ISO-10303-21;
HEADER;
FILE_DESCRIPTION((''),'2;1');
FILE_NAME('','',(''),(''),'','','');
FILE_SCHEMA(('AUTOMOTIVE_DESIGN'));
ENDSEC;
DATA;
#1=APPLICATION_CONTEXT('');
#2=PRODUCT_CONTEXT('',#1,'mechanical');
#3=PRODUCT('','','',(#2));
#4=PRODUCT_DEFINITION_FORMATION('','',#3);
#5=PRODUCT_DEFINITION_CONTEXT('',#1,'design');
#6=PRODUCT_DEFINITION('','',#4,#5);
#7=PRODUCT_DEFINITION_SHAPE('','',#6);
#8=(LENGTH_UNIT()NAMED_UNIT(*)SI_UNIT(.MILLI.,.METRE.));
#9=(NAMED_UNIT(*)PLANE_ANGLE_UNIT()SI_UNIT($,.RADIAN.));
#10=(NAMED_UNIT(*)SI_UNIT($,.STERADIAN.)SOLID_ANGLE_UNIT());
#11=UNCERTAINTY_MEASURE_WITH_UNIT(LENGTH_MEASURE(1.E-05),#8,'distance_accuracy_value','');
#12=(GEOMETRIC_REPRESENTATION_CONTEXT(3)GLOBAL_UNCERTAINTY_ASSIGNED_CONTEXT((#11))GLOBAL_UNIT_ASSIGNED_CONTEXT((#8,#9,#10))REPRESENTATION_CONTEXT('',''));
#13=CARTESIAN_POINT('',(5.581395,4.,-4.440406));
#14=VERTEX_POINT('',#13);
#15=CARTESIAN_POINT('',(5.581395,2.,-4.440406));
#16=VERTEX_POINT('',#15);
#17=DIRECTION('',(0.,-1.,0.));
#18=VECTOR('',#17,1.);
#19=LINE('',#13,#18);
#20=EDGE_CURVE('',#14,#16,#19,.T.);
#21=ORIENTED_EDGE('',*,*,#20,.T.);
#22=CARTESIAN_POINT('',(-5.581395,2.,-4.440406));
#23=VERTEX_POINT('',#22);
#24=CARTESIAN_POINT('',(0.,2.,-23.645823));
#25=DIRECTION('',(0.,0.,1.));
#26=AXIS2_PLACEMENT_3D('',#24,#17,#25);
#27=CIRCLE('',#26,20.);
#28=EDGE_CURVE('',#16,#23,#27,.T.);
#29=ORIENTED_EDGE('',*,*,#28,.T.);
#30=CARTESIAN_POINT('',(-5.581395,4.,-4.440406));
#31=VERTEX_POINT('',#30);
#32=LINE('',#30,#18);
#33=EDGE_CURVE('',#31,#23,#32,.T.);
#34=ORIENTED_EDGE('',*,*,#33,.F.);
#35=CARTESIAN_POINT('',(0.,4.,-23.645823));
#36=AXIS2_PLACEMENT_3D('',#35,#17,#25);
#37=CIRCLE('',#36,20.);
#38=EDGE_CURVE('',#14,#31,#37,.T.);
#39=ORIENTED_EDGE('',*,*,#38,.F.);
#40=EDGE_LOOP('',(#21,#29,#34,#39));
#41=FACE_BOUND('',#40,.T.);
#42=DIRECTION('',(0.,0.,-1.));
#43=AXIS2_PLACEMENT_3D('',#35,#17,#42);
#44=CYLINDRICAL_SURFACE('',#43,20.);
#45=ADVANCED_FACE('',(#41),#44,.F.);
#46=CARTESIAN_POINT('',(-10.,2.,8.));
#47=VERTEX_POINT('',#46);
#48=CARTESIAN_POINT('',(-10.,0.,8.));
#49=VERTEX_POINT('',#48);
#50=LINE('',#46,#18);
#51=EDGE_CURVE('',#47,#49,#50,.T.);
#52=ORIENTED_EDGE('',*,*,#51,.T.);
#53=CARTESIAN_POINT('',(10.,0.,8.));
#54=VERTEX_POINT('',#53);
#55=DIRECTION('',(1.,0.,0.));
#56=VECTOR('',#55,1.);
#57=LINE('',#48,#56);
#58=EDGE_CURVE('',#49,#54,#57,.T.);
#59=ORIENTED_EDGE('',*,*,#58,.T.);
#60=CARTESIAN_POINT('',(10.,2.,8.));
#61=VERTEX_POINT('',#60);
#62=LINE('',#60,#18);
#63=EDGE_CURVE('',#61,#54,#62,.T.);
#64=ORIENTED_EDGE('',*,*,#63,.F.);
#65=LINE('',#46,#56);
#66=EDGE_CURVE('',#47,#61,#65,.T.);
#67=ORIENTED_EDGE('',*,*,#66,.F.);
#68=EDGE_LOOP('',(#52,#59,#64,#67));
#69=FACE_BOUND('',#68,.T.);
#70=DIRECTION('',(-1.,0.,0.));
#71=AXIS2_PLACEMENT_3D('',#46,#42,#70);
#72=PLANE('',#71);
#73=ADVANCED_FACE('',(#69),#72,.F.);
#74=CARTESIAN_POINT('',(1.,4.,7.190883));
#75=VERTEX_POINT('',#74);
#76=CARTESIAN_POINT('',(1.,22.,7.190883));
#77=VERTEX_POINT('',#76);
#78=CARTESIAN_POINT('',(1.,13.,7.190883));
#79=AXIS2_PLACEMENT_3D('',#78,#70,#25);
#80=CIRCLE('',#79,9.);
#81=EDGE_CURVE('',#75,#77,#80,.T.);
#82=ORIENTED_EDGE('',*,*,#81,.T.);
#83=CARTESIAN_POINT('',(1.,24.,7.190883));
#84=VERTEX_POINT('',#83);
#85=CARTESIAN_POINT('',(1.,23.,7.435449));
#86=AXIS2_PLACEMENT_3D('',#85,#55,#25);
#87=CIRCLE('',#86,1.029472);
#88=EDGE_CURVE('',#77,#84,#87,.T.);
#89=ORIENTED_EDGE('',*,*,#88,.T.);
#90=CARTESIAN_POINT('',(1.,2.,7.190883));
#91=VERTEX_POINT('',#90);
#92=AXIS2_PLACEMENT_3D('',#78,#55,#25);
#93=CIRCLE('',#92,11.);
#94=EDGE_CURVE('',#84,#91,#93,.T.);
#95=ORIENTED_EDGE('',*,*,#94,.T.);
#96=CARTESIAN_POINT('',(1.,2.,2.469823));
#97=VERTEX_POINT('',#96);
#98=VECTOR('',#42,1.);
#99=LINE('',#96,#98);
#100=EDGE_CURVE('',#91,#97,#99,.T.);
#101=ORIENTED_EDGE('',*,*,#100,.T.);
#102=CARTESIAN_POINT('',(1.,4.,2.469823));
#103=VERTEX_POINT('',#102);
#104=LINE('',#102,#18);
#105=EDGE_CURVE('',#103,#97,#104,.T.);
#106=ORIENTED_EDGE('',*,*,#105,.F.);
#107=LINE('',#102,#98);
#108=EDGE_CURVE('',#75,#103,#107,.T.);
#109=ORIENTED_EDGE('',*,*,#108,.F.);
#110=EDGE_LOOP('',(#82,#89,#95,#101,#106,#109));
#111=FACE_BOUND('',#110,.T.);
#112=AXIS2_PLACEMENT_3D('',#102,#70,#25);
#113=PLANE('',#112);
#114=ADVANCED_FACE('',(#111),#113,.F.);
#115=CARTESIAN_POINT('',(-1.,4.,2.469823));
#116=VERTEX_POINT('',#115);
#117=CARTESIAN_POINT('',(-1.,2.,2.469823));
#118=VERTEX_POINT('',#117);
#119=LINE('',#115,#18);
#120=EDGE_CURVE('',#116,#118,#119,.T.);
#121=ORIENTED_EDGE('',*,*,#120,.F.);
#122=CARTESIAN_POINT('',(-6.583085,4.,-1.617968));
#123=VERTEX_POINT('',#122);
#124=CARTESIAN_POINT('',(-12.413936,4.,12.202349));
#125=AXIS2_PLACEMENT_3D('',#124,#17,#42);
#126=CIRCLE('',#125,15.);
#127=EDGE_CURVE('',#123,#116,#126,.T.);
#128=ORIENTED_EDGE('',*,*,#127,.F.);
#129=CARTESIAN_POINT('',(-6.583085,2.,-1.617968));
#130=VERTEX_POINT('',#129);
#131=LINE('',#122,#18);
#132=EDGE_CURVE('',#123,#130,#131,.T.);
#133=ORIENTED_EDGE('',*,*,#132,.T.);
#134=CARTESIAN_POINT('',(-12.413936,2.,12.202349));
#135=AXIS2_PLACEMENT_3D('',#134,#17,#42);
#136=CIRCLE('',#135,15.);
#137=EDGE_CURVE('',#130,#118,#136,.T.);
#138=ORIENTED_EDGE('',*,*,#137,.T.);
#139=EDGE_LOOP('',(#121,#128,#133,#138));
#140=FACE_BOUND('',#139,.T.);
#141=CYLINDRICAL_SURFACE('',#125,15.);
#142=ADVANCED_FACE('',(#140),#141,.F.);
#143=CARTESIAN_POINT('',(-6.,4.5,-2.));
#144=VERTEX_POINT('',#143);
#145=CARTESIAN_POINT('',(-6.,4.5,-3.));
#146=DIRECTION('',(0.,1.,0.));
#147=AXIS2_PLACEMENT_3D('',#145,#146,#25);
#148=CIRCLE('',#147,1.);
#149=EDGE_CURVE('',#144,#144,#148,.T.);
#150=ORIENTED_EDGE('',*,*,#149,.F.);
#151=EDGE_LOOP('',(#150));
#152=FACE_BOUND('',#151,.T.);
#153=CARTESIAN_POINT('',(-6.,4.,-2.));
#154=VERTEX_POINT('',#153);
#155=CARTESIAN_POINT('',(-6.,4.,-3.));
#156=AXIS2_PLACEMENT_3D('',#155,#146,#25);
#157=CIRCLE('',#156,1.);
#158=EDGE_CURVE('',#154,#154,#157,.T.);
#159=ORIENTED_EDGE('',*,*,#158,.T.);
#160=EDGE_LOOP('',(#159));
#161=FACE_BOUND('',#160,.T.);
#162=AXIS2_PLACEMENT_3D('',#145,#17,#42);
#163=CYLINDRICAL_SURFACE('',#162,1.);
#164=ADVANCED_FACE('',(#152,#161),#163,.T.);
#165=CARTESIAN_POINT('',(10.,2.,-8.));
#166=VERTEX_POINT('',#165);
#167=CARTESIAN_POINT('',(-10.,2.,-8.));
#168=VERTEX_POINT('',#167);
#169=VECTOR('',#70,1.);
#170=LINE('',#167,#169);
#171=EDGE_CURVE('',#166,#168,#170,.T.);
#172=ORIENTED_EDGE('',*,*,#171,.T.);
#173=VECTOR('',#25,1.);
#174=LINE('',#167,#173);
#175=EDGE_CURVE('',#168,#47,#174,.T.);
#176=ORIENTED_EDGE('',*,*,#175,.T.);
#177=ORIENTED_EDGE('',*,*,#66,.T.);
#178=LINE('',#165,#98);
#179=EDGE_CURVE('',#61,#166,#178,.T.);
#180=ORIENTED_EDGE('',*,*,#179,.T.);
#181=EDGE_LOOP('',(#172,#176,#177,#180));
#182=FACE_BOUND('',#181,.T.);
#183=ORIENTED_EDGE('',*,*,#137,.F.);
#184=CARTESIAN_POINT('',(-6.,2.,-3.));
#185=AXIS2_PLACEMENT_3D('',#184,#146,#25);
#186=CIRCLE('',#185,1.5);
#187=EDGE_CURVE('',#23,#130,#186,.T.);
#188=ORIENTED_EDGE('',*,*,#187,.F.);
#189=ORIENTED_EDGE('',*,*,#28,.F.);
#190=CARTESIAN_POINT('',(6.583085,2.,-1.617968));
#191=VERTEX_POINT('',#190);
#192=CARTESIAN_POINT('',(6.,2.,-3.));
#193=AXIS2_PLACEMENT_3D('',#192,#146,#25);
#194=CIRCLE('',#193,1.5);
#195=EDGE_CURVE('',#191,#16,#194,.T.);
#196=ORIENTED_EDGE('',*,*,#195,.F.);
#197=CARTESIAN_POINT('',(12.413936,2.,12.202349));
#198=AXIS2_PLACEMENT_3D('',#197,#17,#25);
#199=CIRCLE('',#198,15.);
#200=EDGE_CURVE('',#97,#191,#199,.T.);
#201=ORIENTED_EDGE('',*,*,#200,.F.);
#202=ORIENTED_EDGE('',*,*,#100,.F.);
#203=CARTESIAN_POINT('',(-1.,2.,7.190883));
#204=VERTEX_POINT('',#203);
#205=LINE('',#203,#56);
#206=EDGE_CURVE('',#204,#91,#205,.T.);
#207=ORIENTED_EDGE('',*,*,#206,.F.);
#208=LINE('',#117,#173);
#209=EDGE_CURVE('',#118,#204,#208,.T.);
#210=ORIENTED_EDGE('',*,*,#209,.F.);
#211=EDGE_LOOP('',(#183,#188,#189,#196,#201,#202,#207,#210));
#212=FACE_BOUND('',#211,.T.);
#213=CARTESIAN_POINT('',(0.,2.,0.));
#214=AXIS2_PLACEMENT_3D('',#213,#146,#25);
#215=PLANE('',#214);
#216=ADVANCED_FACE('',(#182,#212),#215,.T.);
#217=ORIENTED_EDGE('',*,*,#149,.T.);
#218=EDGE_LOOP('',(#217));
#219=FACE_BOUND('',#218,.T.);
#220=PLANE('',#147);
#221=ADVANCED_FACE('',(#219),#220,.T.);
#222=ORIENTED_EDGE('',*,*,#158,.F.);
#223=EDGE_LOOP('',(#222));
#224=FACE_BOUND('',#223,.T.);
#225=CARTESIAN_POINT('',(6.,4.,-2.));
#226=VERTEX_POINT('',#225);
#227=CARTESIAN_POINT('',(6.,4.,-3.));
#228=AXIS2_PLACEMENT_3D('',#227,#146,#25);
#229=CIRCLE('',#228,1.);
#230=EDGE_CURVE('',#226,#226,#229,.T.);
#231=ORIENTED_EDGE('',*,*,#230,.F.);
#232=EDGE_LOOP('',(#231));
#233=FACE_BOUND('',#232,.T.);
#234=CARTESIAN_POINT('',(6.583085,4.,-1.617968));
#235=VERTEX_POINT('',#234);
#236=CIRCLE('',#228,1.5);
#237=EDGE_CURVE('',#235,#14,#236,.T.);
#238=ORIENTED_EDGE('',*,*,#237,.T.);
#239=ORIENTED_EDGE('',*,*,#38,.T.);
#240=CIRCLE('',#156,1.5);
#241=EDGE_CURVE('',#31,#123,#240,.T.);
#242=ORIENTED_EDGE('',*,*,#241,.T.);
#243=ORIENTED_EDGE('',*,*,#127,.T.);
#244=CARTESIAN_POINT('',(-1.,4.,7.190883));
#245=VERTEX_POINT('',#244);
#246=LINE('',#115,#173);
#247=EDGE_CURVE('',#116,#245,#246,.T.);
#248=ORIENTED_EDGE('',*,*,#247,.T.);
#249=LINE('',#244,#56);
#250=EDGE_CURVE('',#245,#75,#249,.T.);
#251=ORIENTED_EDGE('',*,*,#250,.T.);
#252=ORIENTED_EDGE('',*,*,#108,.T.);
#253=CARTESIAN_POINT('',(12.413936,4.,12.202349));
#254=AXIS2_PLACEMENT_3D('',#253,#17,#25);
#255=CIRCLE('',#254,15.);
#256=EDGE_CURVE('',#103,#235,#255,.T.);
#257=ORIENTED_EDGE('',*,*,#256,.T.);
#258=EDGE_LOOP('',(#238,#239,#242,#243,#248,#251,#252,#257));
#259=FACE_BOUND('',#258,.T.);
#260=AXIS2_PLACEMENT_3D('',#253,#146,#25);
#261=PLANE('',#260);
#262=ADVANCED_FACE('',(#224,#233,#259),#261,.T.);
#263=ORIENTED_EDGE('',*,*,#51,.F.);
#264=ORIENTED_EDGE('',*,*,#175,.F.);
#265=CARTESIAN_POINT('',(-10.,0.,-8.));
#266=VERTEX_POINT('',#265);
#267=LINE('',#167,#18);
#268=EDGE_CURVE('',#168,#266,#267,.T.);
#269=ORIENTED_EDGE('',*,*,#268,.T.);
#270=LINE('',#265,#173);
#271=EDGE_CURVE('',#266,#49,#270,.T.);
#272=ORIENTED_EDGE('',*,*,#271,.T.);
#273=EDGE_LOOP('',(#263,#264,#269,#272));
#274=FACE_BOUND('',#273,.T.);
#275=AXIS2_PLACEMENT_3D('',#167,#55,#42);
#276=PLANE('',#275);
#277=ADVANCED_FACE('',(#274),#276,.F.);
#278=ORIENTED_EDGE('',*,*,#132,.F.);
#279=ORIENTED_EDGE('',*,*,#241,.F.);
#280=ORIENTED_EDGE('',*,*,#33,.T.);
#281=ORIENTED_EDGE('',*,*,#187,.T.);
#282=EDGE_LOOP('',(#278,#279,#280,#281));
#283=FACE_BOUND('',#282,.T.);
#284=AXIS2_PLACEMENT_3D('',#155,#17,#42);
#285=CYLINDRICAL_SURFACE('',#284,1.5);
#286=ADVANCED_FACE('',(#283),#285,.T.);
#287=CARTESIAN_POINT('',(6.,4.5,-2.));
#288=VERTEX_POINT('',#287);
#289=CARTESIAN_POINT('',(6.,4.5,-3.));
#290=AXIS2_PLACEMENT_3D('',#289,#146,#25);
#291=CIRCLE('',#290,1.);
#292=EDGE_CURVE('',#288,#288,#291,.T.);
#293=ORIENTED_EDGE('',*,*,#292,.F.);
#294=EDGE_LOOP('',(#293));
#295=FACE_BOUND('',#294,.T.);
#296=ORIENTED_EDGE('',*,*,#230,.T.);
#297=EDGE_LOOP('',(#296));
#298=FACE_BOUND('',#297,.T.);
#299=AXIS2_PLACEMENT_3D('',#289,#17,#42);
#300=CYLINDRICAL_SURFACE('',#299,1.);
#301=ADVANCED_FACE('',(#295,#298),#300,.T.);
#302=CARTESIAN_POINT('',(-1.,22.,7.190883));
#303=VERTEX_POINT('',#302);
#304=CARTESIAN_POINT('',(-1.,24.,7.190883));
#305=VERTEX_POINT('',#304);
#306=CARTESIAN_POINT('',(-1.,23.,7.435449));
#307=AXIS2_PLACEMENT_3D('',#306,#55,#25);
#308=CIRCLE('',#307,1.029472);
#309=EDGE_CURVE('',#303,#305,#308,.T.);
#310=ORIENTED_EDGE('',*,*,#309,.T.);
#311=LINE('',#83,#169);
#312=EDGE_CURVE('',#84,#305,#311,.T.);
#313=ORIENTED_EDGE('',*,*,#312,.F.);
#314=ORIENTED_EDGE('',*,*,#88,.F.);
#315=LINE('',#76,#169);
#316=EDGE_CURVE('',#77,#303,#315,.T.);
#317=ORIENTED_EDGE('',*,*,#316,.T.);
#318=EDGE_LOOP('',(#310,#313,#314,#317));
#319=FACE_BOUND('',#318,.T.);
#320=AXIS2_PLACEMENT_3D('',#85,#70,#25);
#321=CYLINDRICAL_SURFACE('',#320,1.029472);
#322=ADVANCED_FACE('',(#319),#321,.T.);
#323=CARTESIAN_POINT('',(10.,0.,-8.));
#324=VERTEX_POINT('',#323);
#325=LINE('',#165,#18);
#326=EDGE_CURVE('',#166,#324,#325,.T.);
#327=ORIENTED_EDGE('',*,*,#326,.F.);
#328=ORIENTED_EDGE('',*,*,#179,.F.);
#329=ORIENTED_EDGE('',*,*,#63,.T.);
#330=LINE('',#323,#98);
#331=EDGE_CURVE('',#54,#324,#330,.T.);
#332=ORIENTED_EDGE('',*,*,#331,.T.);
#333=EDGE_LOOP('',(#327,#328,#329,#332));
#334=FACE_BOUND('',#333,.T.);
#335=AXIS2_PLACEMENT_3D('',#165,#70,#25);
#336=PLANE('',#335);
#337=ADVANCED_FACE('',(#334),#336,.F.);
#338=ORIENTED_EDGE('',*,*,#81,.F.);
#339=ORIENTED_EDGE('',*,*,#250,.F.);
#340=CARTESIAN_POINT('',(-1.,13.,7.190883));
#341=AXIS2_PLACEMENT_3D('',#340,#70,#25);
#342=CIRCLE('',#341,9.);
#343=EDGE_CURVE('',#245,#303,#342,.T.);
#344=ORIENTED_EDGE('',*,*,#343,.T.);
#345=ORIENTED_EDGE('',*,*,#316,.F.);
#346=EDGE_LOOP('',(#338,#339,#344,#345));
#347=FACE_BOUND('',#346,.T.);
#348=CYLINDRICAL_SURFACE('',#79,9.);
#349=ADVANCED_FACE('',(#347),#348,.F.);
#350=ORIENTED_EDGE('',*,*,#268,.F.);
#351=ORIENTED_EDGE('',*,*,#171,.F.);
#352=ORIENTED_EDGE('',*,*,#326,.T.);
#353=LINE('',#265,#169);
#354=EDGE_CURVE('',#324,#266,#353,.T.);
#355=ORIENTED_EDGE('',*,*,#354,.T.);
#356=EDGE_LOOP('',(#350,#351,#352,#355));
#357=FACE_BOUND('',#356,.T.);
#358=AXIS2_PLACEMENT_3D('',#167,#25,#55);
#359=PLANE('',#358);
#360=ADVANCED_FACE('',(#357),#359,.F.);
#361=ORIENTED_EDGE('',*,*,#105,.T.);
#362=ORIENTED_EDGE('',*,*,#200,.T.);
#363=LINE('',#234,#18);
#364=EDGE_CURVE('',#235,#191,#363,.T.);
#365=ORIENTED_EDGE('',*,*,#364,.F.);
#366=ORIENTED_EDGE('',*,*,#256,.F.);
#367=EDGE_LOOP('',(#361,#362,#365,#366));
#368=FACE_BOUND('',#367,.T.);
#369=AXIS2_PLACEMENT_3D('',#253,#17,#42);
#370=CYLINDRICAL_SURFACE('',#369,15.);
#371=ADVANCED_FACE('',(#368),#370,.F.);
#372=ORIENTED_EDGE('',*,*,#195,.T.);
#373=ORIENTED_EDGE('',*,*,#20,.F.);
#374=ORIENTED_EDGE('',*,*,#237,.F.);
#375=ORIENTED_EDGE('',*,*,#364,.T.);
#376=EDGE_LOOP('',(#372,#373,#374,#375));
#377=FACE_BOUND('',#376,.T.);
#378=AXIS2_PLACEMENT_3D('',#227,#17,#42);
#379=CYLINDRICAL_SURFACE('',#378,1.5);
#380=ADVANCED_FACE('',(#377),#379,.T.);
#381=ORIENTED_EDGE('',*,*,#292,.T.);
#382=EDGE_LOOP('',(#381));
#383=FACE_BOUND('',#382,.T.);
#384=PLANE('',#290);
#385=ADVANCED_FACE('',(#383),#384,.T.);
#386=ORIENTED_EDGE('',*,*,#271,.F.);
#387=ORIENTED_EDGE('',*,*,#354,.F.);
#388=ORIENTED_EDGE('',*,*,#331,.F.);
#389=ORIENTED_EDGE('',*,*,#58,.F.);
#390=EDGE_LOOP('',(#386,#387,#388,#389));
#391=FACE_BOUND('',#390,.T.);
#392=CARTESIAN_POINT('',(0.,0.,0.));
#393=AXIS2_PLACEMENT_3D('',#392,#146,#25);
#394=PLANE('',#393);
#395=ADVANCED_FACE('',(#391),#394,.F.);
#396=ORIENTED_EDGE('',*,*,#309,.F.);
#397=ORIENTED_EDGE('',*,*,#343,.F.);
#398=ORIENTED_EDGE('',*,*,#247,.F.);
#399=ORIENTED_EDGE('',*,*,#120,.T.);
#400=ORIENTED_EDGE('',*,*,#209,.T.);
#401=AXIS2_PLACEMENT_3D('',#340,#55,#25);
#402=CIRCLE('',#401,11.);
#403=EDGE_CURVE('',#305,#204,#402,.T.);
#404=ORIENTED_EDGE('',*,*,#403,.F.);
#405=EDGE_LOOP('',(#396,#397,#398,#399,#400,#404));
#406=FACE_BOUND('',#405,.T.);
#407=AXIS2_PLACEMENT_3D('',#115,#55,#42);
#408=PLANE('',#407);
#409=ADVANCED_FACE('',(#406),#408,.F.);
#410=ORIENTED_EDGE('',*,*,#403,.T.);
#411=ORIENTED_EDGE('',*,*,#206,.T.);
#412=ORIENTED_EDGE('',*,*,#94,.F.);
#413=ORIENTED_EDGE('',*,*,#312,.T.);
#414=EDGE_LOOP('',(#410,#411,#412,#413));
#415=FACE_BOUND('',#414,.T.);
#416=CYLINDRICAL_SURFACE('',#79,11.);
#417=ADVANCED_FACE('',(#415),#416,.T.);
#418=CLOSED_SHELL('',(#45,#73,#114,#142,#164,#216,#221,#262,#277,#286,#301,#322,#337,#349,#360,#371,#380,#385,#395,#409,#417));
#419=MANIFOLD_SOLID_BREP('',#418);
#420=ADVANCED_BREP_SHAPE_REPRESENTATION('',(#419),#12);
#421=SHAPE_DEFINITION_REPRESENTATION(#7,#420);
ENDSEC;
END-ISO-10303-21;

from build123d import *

# Parameters (mm, degrees)
SKETCH1_W           = 20
SKETCH1_H           = 16
BOSS_EXTRUDE1_DEPTH = 2
SKETCH2_R           = 1
BOSS_EXTRUDE2_DEPTH = 2
BOSS_EXTRUDE3_DEPTH = 1
SKETCH10_R          = 1
BOSS_EXTRUDE4_DEPTH = 2.5


with BuildPart() as part:
    # Sketch1 → Boss-Extrude1 (new body)
    with BuildSketch(Plane(origin=(0, 0, 0), x_dir=(1, 0, 0), z_dir=(0, 1, 0))):
        Rectangle(SKETCH1_W, SKETCH1_H)
    extrude(amount=BOSS_EXTRUDE1_DEPTH)

    # Sketch2 → Boss-Extrude2 (add)
    with BuildSketch(Plane(origin=(0, 2, 0), x_dir=(1, 0, 0), z_dir=(0, 1, 0))):
        with BuildLine():
            Line((-1, -2.469823306), (-1, -7.190883186))
            Line((-1, -7.190883186), (1, -7.190883186))
            Line((1, -7.190883186), (1, -2.469823306))
            ThreePointArc((1, -2.469823306), (3.552605477, -0.099588475), (6.583085105, 1.617968249))
            ThreePointArc((6.583085105, 1.617968249), (7.413613283, 3.501694616), (5.581395349, 4.440406243))
            ThreePointArc((5.581395349, 4.440406243), (0, 3.645822822), (-5.581395349, 4.440406243))
            ThreePointArc((-5.581395349, 4.440406243), (-7.413613283, 3.501694616), (-6.583085105, 1.617968249))
            ThreePointArc((-6.583085105, 1.617968249), (-3.552605477, -0.099588475), (-1, -2.469823306))
        make_face()
        with Locations(Location((-6, 3, 0), (0, 0, 270))):
            Circle(SKETCH2_R, mode=Mode.SUBTRACT)
        with Locations(Location((6, 3, 0), (0, 0, 270))):
            Circle(SKETCH2_R, mode=Mode.SUBTRACT)
    extrude(amount=BOSS_EXTRUDE2_DEPTH)

    # Sketch8 → Boss-Extrude3 (add, symmetric)
    with BuildSketch(Plane(origin=(0, 0, 0), x_dir=(0, 0, -1), z_dir=(1, 0, 0))):
        with BuildLine():
            Line((-7.190883186, 4), (-7.190883186, 2))
            ThreePointArc((-7.190883186, 2), (-18.190883186, 13), (-7.190883186, 24))
            ThreePointArc((-7.190883186, 24), (-6.40597694, 23), (-7.190883186, 22))
            ThreePointArc((-7.190883186, 22), (-16.190883186, 13), (-7.190883186, 4))
        make_face()
    extrude(amount=BOSS_EXTRUDE3_DEPTH, both=True)

    # Sketch10 → Boss-Extrude4 (add)
    with BuildSketch(Plane(origin=(0, 2, 0), x_dir=(1, 0, 0), z_dir=(0, 1, 0))):
        with Locations(Location((6, 3, 0), (0, 0, 270))):
            Circle(SKETCH10_R)
        with Locations(Location((-6, 3, 0), (0, 0, 270))):
            Circle(SKETCH10_R)
    extrude(amount=BOSS_EXTRUDE4_DEPTH)


solid = part.part
